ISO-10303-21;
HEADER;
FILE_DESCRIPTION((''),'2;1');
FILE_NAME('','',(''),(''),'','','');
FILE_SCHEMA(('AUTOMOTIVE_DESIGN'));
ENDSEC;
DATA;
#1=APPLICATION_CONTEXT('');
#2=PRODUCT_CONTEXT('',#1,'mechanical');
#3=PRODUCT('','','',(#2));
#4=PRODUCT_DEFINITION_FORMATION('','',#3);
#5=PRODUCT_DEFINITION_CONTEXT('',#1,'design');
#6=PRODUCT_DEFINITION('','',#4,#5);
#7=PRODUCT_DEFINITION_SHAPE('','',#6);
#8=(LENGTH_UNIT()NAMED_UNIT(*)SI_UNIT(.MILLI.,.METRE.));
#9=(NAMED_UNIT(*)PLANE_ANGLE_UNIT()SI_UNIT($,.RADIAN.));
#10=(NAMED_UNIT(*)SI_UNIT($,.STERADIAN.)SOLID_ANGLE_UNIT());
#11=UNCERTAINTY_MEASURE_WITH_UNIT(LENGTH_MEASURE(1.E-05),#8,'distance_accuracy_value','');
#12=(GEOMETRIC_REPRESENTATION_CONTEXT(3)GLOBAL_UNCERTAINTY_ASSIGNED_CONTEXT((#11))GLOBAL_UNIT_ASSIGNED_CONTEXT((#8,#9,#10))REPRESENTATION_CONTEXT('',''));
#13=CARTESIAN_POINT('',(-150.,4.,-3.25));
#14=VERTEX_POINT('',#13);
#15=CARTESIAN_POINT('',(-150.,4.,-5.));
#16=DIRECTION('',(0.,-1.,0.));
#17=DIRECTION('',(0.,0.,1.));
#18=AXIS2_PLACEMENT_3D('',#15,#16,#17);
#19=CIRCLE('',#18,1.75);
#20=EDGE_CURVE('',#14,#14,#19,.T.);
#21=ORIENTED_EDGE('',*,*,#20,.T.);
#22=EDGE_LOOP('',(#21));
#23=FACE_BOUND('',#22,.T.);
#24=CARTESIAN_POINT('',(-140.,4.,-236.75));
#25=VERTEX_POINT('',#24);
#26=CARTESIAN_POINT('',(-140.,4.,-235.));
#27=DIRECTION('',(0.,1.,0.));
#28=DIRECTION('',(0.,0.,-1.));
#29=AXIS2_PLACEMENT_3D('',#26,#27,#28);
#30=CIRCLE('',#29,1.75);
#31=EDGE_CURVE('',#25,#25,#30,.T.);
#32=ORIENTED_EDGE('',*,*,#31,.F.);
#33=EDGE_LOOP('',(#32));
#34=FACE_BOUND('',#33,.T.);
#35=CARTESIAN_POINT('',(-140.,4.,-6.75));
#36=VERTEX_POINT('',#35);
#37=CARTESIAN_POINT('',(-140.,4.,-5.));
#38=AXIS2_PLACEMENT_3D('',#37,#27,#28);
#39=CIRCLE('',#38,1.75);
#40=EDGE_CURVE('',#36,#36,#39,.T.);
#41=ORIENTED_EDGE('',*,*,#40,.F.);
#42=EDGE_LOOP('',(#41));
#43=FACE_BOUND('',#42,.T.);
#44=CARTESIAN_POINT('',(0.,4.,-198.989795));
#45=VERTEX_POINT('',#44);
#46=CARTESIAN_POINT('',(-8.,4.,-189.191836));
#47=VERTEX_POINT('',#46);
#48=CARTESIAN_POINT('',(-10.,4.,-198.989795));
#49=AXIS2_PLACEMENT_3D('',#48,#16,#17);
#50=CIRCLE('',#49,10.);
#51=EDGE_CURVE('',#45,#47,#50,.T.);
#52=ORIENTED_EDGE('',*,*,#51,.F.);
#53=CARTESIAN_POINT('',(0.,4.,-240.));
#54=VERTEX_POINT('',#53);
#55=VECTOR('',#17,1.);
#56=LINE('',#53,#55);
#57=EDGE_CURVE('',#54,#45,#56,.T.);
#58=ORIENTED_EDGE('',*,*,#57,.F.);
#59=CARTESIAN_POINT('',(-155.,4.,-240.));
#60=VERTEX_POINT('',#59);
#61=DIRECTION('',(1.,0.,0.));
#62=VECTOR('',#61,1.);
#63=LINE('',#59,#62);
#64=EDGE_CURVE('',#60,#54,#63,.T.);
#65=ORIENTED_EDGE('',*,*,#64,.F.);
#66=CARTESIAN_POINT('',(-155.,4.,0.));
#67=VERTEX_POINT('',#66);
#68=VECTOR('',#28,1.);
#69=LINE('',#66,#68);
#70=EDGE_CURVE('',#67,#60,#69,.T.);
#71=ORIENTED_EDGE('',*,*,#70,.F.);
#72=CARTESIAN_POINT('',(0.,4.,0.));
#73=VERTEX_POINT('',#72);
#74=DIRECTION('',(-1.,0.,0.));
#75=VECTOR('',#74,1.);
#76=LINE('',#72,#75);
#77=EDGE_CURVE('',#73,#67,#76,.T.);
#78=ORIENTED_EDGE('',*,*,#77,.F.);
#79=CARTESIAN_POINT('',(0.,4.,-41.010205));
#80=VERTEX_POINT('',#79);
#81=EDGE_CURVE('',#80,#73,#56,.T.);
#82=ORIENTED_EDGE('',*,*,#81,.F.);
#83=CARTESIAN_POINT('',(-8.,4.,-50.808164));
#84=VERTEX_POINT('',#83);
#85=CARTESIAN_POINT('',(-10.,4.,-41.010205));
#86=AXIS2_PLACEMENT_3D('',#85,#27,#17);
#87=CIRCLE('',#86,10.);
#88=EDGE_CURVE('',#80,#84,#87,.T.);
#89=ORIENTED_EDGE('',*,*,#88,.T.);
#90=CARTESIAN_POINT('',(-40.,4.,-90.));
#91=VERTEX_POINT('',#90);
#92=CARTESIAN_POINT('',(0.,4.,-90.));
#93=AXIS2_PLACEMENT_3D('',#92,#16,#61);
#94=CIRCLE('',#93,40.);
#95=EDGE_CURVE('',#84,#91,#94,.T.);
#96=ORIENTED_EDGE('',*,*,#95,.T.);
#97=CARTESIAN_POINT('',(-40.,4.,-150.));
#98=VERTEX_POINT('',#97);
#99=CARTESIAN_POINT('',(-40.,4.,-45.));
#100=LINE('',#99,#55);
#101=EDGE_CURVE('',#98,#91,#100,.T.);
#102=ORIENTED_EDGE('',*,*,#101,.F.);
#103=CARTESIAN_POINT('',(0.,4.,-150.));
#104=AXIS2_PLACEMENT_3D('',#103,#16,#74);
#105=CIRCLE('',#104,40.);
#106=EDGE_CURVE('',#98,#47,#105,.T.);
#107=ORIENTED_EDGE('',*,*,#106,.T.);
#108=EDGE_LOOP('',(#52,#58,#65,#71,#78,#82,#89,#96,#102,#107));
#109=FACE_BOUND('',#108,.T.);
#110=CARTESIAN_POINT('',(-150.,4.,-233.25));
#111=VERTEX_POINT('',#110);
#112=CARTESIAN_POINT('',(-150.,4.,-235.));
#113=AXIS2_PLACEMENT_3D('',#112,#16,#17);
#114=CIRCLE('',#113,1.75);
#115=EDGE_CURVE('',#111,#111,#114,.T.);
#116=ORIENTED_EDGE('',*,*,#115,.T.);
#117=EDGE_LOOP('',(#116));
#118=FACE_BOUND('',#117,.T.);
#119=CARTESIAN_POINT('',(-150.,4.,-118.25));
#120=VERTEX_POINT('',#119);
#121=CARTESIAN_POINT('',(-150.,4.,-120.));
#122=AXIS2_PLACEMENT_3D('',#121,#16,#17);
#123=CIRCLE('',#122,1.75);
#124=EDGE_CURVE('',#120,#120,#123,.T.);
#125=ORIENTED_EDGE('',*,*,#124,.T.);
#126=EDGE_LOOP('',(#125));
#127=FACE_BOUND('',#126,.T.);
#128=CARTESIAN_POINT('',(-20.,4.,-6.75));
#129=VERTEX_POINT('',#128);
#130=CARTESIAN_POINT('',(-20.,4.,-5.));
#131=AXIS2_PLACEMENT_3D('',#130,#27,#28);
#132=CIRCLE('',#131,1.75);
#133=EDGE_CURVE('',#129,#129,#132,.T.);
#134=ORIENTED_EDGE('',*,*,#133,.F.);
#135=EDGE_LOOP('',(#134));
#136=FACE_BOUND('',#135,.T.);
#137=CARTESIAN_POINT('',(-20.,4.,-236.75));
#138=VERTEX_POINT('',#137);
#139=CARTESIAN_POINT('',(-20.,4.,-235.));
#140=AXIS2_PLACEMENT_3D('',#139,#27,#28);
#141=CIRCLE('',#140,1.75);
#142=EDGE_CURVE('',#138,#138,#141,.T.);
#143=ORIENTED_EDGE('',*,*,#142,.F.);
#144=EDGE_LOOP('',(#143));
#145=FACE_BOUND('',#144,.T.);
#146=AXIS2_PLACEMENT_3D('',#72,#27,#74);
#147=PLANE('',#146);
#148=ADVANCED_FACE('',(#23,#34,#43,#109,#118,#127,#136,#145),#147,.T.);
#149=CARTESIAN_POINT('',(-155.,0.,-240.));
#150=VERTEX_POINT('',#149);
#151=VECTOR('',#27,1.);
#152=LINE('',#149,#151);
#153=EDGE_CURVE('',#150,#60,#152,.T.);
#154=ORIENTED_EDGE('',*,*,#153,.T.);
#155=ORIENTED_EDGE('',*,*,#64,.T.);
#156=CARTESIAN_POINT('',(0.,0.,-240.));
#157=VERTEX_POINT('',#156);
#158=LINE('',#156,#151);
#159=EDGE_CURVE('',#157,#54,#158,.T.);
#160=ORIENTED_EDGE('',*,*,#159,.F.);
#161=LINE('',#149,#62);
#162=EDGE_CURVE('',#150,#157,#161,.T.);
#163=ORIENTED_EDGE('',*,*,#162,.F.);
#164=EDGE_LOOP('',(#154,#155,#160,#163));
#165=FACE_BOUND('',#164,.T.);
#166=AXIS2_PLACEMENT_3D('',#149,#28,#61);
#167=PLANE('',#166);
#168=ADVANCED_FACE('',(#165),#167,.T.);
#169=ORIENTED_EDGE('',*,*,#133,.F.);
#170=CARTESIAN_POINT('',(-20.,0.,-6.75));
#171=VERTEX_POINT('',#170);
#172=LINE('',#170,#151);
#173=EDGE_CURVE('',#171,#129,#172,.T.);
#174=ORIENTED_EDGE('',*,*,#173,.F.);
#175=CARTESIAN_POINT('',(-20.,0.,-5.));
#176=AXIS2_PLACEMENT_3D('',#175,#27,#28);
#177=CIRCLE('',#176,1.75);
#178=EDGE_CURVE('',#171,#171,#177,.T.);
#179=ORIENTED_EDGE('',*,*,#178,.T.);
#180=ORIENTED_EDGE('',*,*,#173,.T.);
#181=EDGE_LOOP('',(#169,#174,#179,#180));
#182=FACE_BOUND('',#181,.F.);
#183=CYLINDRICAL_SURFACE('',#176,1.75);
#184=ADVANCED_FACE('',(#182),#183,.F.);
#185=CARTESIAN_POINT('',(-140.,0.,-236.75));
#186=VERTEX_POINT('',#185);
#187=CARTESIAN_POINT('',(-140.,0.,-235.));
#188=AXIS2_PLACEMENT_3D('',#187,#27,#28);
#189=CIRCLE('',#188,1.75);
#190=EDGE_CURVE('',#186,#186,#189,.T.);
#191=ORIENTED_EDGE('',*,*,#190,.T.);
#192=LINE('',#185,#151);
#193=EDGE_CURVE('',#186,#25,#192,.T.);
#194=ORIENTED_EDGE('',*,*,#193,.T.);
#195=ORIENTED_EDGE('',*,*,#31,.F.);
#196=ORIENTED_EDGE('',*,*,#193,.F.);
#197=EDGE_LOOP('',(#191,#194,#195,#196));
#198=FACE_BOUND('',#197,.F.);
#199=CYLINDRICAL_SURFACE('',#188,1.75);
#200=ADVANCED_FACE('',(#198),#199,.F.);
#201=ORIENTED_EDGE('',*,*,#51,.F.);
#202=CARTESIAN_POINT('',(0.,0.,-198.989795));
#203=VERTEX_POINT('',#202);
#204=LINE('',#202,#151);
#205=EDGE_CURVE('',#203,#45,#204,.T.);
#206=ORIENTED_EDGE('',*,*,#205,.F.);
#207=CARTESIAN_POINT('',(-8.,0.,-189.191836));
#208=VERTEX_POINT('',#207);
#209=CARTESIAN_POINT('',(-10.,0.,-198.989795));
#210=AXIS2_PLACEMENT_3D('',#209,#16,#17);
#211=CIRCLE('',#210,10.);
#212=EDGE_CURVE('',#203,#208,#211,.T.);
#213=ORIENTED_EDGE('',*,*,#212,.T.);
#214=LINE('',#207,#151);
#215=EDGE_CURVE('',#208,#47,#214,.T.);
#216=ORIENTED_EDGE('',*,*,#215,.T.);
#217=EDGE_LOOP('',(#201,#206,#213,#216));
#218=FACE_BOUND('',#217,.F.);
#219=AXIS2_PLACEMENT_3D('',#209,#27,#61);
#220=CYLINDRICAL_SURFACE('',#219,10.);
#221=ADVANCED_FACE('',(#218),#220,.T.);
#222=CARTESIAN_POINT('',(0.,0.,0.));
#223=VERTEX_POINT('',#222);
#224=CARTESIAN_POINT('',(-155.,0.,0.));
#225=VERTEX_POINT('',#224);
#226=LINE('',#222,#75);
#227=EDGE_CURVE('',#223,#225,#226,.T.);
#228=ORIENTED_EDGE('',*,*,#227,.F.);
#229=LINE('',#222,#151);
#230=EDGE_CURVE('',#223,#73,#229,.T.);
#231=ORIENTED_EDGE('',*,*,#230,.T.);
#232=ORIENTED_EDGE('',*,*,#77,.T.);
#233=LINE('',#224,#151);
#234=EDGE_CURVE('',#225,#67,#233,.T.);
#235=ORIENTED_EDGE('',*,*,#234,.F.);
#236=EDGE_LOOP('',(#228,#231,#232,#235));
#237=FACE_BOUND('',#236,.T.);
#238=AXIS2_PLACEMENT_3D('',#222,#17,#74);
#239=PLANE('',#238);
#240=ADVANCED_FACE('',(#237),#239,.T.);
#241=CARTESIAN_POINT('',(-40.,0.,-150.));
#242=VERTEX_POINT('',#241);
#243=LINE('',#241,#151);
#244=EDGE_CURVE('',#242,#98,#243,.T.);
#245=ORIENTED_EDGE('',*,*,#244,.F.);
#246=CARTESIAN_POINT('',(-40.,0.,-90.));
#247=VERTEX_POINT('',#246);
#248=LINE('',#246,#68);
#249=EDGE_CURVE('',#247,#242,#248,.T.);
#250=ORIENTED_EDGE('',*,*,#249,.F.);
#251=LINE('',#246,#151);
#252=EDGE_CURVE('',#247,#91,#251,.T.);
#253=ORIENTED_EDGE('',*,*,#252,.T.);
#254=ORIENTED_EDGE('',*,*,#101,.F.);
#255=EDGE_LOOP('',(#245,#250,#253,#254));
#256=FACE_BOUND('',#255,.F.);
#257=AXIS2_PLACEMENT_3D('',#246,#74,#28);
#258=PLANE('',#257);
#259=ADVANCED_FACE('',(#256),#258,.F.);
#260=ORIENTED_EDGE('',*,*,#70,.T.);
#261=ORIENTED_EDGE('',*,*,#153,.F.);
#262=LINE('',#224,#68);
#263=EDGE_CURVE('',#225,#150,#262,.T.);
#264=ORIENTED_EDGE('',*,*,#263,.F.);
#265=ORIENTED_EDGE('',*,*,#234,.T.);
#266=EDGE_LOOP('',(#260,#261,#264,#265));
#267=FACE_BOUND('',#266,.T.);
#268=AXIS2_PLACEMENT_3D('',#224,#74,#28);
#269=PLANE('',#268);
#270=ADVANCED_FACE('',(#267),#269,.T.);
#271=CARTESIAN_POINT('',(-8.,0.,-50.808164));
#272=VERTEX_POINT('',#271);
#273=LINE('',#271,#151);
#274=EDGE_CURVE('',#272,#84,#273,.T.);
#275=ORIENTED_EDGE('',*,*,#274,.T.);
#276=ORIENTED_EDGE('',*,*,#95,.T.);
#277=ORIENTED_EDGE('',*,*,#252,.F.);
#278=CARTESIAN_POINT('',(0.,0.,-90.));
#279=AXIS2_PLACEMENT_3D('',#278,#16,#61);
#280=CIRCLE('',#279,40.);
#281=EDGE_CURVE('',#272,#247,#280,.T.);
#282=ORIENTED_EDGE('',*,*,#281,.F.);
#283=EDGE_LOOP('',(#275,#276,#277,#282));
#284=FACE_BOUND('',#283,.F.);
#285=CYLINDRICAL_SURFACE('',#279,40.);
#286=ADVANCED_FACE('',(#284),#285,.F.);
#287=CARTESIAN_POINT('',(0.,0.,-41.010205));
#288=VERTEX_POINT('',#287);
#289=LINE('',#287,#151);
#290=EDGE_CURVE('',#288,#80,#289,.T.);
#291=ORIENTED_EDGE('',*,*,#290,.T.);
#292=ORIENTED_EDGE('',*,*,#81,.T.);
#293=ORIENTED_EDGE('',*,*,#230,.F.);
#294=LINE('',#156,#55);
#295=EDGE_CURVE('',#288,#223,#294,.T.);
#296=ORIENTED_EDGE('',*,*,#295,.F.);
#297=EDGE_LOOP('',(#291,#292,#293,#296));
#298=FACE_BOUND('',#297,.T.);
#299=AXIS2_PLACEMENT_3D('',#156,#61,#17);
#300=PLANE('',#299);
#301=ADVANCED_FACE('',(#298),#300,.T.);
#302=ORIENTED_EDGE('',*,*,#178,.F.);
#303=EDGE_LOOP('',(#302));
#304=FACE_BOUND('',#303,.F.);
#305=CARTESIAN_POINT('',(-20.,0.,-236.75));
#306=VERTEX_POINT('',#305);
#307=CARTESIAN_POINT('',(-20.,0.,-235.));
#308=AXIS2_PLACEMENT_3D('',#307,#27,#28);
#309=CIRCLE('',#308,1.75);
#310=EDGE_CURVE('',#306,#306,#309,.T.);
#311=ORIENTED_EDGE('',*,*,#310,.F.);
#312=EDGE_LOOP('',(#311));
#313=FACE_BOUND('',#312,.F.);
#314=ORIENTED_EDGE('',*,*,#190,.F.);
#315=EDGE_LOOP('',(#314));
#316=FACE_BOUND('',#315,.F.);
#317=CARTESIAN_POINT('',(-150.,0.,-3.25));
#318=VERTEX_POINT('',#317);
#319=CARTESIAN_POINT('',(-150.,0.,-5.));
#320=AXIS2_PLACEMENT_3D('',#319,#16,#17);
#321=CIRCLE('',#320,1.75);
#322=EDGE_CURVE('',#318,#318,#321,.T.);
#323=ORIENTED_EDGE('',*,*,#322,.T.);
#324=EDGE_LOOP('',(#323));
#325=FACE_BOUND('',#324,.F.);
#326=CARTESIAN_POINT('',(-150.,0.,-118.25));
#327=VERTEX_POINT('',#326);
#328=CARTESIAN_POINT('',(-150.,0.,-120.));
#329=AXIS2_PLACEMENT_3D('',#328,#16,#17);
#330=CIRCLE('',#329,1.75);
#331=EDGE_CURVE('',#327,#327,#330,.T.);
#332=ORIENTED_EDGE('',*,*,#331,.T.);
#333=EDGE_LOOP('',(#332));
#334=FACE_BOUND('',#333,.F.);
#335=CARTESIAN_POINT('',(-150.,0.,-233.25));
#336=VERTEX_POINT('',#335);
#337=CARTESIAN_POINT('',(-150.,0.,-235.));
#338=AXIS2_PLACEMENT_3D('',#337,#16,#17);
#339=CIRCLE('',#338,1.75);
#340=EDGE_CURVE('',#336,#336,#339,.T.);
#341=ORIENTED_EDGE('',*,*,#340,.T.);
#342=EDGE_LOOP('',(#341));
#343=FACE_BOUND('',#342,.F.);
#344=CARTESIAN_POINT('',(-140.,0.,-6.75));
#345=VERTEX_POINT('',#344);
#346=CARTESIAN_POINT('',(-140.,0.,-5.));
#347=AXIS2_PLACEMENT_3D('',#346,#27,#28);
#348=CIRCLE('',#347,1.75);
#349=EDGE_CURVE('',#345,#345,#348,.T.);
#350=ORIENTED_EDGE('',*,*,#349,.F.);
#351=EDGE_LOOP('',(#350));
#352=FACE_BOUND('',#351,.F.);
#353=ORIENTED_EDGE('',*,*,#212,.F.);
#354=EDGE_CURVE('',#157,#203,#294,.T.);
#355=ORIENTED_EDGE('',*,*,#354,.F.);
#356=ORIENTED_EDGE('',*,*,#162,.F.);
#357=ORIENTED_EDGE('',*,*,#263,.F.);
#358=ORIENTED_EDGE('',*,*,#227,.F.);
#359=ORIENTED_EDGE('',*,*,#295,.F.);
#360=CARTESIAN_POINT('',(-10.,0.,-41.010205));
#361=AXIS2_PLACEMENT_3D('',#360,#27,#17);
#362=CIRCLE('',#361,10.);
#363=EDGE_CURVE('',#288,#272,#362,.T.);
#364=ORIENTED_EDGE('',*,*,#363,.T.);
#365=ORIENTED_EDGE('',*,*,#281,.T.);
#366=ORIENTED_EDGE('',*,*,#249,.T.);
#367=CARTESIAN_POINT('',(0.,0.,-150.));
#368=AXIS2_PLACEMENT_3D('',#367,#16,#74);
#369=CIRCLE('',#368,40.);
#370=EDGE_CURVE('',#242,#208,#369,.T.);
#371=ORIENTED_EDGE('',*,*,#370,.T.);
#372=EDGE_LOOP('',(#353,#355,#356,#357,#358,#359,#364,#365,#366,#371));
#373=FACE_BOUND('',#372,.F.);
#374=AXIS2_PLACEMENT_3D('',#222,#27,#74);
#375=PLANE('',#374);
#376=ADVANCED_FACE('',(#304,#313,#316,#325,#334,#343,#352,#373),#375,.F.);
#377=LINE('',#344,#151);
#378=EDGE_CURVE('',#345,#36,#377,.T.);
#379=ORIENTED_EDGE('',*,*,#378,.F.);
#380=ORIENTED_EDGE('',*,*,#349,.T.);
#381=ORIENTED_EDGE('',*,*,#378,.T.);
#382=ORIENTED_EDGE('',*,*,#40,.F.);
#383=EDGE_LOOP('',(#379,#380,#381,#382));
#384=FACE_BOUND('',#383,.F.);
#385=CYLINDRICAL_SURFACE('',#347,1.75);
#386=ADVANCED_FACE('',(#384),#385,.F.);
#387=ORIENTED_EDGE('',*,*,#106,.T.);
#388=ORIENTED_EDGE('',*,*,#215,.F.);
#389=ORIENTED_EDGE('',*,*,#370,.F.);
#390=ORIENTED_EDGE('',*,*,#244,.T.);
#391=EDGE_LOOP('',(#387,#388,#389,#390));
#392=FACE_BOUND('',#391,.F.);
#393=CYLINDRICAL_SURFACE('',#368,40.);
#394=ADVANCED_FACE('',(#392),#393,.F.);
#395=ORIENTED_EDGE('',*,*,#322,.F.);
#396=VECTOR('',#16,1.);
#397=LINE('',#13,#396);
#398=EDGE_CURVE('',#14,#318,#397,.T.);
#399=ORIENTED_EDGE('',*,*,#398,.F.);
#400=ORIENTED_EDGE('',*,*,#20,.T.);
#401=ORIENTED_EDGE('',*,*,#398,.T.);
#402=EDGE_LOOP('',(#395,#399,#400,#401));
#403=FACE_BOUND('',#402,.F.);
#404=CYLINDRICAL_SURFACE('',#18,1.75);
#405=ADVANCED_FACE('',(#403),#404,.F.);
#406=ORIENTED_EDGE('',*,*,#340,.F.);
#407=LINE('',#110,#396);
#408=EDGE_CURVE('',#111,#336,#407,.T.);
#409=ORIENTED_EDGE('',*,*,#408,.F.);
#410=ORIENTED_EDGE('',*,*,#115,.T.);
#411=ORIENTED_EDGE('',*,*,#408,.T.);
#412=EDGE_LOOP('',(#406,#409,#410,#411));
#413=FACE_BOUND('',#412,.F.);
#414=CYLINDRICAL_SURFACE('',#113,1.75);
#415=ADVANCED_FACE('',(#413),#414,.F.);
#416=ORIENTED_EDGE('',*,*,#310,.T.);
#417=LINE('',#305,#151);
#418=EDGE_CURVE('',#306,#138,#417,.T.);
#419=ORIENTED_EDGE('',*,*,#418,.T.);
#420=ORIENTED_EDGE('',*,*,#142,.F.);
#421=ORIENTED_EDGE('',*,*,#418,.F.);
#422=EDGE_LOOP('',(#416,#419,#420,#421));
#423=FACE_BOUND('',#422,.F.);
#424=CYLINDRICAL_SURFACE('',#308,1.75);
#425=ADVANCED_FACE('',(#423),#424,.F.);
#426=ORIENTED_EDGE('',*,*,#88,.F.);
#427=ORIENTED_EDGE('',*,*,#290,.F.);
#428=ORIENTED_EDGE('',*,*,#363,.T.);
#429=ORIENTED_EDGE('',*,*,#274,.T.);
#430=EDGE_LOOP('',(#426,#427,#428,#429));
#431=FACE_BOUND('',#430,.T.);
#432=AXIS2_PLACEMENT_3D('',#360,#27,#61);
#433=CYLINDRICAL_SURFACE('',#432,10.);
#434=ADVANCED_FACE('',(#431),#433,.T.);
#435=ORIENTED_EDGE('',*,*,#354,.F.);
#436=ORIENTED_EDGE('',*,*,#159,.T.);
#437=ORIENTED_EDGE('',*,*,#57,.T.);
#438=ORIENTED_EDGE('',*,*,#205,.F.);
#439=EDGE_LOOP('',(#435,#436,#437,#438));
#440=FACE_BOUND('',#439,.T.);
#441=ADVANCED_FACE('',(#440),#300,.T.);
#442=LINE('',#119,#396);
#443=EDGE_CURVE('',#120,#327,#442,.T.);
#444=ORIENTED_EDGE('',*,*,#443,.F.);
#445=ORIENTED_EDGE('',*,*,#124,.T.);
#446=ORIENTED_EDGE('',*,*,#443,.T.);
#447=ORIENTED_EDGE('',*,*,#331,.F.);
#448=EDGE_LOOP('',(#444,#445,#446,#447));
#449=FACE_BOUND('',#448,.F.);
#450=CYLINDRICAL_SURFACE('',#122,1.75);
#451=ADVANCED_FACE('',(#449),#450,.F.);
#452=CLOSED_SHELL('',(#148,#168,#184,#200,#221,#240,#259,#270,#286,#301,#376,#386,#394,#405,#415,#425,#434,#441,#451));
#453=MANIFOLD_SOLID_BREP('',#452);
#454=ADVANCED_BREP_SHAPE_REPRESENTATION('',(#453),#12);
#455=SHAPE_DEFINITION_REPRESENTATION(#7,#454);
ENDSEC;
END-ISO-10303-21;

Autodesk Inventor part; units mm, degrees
ref_plane "YZ Plane" through (0, 0, 0) normal (1, 0, 0) x (0, 1, 0)
ref_plane "XZ Plane" through (0, 0, 0) normal (0, 1, 0) x (-1, 0, 0)
ref_plane "XY Plane" through (0, 0, 0) normal (0, 0, 1) x (1, 0, 0)
sketch "スケッチ1" plane through (0, 0, 0) normal (0, 1, 0) x (-1, 0, 0)
  line L0 (0, 0) -> (155, 0)
  line L1 (155, 0) -> (155, -240)
  line L2 (155, -240) -> (0, -240)
  line L3 (0, -240) -> (0, 0)
  dimension "d0" = 155
  dimension "d1" = 240
extrude "押し出し1" add sketch "スケッチ1" along normal blind 4
sketch "スケッチ3" plane through (0, 4, 0) normal (0, 1, 0) x (1, 0, 0)
  line L0 (-155, 240) -> (-155, 0) projected
  line L1 (-155, 0) -> (0, 0) projected
  line L2 (0, 240) -> (-155, 240) projected
  point P0 (-150, 5)
  point P1 (-150, 235)
  point P2 (-150, 120)
  point P3 (-155, 120)
  dimension "d11" = 5
  dimension "d12" = 5
  dimension "d13" = 5
  dimension "d14" = 5
  dimension "d15" = 5
  dimension "d16" = 0
hole "穴1" at (-150, 4, -5) at (-150, 4, -235) at (-150, 4, -120) direction (0, -1, 0) diameter 3.5 end through all
sketch "スケッチ5" plane through (0, 0, 0) normal (0, -1, 0) x (1, 0, 0)
  line L0 (0, -90) -> (0, -150) construction
  line L1 (0, 0) -> (0, -240) projected
  line L2 (-40, -90) -> (-40, -150)
  line L3 (40, -150) -> (40, -90)
  arc A0 (40, -90) -> (-40, -90) centre (0, -90) ccw
  arc A1 (-40, -150) -> (40, -150) centre (0, -150) ccw
  point P0 (0, -120)
  point P1 (0, -190)
  point P2 (0, -50)
  dimension "d17" = 80
  dimension "d18" = 30
extrude "押し出し2" cut sketch "スケッチ5" against normal blind 10 contours L1 A1 L2 A0
sketch "スケッチ6" plane through (0, 0, 0) normal (0, -1, 0) x (1, 0, 0)
  line L0 (0, -240) -> (-155, -240) projected
  line L1 (0, -190) -> (0, -240) projected
  line L2 (-155, 0) -> (0, 0) projected
  line L3 (0, 0) -> (0, -50) projected
  point P0 (-20, -235)
  point P1 (-140, -235)
  point P2 (-140, -5)
  point P3 (-20, -5)
  dimension "d28" = 120
  dimension "d30" = 20
  dimension "d31" = 5
  dimension "d32" = 5
  dimension "d33" = 120
  dimension "d34" = 5
  dimension "d35" = 20
  dimension "d36" = 5
hole "穴2" at (-20, 0, -235) at (-140, 0, -235) at (-140, 0, -5) at (-20, 0, -5) direction (0, 1, 0) diameter 3.5 end through all
fillet "フィレット1" radius 10 2 edges at (0, 2, -50) (0, 2, -190)
properties part number "slide_panel" material "木材(サクラ)"
